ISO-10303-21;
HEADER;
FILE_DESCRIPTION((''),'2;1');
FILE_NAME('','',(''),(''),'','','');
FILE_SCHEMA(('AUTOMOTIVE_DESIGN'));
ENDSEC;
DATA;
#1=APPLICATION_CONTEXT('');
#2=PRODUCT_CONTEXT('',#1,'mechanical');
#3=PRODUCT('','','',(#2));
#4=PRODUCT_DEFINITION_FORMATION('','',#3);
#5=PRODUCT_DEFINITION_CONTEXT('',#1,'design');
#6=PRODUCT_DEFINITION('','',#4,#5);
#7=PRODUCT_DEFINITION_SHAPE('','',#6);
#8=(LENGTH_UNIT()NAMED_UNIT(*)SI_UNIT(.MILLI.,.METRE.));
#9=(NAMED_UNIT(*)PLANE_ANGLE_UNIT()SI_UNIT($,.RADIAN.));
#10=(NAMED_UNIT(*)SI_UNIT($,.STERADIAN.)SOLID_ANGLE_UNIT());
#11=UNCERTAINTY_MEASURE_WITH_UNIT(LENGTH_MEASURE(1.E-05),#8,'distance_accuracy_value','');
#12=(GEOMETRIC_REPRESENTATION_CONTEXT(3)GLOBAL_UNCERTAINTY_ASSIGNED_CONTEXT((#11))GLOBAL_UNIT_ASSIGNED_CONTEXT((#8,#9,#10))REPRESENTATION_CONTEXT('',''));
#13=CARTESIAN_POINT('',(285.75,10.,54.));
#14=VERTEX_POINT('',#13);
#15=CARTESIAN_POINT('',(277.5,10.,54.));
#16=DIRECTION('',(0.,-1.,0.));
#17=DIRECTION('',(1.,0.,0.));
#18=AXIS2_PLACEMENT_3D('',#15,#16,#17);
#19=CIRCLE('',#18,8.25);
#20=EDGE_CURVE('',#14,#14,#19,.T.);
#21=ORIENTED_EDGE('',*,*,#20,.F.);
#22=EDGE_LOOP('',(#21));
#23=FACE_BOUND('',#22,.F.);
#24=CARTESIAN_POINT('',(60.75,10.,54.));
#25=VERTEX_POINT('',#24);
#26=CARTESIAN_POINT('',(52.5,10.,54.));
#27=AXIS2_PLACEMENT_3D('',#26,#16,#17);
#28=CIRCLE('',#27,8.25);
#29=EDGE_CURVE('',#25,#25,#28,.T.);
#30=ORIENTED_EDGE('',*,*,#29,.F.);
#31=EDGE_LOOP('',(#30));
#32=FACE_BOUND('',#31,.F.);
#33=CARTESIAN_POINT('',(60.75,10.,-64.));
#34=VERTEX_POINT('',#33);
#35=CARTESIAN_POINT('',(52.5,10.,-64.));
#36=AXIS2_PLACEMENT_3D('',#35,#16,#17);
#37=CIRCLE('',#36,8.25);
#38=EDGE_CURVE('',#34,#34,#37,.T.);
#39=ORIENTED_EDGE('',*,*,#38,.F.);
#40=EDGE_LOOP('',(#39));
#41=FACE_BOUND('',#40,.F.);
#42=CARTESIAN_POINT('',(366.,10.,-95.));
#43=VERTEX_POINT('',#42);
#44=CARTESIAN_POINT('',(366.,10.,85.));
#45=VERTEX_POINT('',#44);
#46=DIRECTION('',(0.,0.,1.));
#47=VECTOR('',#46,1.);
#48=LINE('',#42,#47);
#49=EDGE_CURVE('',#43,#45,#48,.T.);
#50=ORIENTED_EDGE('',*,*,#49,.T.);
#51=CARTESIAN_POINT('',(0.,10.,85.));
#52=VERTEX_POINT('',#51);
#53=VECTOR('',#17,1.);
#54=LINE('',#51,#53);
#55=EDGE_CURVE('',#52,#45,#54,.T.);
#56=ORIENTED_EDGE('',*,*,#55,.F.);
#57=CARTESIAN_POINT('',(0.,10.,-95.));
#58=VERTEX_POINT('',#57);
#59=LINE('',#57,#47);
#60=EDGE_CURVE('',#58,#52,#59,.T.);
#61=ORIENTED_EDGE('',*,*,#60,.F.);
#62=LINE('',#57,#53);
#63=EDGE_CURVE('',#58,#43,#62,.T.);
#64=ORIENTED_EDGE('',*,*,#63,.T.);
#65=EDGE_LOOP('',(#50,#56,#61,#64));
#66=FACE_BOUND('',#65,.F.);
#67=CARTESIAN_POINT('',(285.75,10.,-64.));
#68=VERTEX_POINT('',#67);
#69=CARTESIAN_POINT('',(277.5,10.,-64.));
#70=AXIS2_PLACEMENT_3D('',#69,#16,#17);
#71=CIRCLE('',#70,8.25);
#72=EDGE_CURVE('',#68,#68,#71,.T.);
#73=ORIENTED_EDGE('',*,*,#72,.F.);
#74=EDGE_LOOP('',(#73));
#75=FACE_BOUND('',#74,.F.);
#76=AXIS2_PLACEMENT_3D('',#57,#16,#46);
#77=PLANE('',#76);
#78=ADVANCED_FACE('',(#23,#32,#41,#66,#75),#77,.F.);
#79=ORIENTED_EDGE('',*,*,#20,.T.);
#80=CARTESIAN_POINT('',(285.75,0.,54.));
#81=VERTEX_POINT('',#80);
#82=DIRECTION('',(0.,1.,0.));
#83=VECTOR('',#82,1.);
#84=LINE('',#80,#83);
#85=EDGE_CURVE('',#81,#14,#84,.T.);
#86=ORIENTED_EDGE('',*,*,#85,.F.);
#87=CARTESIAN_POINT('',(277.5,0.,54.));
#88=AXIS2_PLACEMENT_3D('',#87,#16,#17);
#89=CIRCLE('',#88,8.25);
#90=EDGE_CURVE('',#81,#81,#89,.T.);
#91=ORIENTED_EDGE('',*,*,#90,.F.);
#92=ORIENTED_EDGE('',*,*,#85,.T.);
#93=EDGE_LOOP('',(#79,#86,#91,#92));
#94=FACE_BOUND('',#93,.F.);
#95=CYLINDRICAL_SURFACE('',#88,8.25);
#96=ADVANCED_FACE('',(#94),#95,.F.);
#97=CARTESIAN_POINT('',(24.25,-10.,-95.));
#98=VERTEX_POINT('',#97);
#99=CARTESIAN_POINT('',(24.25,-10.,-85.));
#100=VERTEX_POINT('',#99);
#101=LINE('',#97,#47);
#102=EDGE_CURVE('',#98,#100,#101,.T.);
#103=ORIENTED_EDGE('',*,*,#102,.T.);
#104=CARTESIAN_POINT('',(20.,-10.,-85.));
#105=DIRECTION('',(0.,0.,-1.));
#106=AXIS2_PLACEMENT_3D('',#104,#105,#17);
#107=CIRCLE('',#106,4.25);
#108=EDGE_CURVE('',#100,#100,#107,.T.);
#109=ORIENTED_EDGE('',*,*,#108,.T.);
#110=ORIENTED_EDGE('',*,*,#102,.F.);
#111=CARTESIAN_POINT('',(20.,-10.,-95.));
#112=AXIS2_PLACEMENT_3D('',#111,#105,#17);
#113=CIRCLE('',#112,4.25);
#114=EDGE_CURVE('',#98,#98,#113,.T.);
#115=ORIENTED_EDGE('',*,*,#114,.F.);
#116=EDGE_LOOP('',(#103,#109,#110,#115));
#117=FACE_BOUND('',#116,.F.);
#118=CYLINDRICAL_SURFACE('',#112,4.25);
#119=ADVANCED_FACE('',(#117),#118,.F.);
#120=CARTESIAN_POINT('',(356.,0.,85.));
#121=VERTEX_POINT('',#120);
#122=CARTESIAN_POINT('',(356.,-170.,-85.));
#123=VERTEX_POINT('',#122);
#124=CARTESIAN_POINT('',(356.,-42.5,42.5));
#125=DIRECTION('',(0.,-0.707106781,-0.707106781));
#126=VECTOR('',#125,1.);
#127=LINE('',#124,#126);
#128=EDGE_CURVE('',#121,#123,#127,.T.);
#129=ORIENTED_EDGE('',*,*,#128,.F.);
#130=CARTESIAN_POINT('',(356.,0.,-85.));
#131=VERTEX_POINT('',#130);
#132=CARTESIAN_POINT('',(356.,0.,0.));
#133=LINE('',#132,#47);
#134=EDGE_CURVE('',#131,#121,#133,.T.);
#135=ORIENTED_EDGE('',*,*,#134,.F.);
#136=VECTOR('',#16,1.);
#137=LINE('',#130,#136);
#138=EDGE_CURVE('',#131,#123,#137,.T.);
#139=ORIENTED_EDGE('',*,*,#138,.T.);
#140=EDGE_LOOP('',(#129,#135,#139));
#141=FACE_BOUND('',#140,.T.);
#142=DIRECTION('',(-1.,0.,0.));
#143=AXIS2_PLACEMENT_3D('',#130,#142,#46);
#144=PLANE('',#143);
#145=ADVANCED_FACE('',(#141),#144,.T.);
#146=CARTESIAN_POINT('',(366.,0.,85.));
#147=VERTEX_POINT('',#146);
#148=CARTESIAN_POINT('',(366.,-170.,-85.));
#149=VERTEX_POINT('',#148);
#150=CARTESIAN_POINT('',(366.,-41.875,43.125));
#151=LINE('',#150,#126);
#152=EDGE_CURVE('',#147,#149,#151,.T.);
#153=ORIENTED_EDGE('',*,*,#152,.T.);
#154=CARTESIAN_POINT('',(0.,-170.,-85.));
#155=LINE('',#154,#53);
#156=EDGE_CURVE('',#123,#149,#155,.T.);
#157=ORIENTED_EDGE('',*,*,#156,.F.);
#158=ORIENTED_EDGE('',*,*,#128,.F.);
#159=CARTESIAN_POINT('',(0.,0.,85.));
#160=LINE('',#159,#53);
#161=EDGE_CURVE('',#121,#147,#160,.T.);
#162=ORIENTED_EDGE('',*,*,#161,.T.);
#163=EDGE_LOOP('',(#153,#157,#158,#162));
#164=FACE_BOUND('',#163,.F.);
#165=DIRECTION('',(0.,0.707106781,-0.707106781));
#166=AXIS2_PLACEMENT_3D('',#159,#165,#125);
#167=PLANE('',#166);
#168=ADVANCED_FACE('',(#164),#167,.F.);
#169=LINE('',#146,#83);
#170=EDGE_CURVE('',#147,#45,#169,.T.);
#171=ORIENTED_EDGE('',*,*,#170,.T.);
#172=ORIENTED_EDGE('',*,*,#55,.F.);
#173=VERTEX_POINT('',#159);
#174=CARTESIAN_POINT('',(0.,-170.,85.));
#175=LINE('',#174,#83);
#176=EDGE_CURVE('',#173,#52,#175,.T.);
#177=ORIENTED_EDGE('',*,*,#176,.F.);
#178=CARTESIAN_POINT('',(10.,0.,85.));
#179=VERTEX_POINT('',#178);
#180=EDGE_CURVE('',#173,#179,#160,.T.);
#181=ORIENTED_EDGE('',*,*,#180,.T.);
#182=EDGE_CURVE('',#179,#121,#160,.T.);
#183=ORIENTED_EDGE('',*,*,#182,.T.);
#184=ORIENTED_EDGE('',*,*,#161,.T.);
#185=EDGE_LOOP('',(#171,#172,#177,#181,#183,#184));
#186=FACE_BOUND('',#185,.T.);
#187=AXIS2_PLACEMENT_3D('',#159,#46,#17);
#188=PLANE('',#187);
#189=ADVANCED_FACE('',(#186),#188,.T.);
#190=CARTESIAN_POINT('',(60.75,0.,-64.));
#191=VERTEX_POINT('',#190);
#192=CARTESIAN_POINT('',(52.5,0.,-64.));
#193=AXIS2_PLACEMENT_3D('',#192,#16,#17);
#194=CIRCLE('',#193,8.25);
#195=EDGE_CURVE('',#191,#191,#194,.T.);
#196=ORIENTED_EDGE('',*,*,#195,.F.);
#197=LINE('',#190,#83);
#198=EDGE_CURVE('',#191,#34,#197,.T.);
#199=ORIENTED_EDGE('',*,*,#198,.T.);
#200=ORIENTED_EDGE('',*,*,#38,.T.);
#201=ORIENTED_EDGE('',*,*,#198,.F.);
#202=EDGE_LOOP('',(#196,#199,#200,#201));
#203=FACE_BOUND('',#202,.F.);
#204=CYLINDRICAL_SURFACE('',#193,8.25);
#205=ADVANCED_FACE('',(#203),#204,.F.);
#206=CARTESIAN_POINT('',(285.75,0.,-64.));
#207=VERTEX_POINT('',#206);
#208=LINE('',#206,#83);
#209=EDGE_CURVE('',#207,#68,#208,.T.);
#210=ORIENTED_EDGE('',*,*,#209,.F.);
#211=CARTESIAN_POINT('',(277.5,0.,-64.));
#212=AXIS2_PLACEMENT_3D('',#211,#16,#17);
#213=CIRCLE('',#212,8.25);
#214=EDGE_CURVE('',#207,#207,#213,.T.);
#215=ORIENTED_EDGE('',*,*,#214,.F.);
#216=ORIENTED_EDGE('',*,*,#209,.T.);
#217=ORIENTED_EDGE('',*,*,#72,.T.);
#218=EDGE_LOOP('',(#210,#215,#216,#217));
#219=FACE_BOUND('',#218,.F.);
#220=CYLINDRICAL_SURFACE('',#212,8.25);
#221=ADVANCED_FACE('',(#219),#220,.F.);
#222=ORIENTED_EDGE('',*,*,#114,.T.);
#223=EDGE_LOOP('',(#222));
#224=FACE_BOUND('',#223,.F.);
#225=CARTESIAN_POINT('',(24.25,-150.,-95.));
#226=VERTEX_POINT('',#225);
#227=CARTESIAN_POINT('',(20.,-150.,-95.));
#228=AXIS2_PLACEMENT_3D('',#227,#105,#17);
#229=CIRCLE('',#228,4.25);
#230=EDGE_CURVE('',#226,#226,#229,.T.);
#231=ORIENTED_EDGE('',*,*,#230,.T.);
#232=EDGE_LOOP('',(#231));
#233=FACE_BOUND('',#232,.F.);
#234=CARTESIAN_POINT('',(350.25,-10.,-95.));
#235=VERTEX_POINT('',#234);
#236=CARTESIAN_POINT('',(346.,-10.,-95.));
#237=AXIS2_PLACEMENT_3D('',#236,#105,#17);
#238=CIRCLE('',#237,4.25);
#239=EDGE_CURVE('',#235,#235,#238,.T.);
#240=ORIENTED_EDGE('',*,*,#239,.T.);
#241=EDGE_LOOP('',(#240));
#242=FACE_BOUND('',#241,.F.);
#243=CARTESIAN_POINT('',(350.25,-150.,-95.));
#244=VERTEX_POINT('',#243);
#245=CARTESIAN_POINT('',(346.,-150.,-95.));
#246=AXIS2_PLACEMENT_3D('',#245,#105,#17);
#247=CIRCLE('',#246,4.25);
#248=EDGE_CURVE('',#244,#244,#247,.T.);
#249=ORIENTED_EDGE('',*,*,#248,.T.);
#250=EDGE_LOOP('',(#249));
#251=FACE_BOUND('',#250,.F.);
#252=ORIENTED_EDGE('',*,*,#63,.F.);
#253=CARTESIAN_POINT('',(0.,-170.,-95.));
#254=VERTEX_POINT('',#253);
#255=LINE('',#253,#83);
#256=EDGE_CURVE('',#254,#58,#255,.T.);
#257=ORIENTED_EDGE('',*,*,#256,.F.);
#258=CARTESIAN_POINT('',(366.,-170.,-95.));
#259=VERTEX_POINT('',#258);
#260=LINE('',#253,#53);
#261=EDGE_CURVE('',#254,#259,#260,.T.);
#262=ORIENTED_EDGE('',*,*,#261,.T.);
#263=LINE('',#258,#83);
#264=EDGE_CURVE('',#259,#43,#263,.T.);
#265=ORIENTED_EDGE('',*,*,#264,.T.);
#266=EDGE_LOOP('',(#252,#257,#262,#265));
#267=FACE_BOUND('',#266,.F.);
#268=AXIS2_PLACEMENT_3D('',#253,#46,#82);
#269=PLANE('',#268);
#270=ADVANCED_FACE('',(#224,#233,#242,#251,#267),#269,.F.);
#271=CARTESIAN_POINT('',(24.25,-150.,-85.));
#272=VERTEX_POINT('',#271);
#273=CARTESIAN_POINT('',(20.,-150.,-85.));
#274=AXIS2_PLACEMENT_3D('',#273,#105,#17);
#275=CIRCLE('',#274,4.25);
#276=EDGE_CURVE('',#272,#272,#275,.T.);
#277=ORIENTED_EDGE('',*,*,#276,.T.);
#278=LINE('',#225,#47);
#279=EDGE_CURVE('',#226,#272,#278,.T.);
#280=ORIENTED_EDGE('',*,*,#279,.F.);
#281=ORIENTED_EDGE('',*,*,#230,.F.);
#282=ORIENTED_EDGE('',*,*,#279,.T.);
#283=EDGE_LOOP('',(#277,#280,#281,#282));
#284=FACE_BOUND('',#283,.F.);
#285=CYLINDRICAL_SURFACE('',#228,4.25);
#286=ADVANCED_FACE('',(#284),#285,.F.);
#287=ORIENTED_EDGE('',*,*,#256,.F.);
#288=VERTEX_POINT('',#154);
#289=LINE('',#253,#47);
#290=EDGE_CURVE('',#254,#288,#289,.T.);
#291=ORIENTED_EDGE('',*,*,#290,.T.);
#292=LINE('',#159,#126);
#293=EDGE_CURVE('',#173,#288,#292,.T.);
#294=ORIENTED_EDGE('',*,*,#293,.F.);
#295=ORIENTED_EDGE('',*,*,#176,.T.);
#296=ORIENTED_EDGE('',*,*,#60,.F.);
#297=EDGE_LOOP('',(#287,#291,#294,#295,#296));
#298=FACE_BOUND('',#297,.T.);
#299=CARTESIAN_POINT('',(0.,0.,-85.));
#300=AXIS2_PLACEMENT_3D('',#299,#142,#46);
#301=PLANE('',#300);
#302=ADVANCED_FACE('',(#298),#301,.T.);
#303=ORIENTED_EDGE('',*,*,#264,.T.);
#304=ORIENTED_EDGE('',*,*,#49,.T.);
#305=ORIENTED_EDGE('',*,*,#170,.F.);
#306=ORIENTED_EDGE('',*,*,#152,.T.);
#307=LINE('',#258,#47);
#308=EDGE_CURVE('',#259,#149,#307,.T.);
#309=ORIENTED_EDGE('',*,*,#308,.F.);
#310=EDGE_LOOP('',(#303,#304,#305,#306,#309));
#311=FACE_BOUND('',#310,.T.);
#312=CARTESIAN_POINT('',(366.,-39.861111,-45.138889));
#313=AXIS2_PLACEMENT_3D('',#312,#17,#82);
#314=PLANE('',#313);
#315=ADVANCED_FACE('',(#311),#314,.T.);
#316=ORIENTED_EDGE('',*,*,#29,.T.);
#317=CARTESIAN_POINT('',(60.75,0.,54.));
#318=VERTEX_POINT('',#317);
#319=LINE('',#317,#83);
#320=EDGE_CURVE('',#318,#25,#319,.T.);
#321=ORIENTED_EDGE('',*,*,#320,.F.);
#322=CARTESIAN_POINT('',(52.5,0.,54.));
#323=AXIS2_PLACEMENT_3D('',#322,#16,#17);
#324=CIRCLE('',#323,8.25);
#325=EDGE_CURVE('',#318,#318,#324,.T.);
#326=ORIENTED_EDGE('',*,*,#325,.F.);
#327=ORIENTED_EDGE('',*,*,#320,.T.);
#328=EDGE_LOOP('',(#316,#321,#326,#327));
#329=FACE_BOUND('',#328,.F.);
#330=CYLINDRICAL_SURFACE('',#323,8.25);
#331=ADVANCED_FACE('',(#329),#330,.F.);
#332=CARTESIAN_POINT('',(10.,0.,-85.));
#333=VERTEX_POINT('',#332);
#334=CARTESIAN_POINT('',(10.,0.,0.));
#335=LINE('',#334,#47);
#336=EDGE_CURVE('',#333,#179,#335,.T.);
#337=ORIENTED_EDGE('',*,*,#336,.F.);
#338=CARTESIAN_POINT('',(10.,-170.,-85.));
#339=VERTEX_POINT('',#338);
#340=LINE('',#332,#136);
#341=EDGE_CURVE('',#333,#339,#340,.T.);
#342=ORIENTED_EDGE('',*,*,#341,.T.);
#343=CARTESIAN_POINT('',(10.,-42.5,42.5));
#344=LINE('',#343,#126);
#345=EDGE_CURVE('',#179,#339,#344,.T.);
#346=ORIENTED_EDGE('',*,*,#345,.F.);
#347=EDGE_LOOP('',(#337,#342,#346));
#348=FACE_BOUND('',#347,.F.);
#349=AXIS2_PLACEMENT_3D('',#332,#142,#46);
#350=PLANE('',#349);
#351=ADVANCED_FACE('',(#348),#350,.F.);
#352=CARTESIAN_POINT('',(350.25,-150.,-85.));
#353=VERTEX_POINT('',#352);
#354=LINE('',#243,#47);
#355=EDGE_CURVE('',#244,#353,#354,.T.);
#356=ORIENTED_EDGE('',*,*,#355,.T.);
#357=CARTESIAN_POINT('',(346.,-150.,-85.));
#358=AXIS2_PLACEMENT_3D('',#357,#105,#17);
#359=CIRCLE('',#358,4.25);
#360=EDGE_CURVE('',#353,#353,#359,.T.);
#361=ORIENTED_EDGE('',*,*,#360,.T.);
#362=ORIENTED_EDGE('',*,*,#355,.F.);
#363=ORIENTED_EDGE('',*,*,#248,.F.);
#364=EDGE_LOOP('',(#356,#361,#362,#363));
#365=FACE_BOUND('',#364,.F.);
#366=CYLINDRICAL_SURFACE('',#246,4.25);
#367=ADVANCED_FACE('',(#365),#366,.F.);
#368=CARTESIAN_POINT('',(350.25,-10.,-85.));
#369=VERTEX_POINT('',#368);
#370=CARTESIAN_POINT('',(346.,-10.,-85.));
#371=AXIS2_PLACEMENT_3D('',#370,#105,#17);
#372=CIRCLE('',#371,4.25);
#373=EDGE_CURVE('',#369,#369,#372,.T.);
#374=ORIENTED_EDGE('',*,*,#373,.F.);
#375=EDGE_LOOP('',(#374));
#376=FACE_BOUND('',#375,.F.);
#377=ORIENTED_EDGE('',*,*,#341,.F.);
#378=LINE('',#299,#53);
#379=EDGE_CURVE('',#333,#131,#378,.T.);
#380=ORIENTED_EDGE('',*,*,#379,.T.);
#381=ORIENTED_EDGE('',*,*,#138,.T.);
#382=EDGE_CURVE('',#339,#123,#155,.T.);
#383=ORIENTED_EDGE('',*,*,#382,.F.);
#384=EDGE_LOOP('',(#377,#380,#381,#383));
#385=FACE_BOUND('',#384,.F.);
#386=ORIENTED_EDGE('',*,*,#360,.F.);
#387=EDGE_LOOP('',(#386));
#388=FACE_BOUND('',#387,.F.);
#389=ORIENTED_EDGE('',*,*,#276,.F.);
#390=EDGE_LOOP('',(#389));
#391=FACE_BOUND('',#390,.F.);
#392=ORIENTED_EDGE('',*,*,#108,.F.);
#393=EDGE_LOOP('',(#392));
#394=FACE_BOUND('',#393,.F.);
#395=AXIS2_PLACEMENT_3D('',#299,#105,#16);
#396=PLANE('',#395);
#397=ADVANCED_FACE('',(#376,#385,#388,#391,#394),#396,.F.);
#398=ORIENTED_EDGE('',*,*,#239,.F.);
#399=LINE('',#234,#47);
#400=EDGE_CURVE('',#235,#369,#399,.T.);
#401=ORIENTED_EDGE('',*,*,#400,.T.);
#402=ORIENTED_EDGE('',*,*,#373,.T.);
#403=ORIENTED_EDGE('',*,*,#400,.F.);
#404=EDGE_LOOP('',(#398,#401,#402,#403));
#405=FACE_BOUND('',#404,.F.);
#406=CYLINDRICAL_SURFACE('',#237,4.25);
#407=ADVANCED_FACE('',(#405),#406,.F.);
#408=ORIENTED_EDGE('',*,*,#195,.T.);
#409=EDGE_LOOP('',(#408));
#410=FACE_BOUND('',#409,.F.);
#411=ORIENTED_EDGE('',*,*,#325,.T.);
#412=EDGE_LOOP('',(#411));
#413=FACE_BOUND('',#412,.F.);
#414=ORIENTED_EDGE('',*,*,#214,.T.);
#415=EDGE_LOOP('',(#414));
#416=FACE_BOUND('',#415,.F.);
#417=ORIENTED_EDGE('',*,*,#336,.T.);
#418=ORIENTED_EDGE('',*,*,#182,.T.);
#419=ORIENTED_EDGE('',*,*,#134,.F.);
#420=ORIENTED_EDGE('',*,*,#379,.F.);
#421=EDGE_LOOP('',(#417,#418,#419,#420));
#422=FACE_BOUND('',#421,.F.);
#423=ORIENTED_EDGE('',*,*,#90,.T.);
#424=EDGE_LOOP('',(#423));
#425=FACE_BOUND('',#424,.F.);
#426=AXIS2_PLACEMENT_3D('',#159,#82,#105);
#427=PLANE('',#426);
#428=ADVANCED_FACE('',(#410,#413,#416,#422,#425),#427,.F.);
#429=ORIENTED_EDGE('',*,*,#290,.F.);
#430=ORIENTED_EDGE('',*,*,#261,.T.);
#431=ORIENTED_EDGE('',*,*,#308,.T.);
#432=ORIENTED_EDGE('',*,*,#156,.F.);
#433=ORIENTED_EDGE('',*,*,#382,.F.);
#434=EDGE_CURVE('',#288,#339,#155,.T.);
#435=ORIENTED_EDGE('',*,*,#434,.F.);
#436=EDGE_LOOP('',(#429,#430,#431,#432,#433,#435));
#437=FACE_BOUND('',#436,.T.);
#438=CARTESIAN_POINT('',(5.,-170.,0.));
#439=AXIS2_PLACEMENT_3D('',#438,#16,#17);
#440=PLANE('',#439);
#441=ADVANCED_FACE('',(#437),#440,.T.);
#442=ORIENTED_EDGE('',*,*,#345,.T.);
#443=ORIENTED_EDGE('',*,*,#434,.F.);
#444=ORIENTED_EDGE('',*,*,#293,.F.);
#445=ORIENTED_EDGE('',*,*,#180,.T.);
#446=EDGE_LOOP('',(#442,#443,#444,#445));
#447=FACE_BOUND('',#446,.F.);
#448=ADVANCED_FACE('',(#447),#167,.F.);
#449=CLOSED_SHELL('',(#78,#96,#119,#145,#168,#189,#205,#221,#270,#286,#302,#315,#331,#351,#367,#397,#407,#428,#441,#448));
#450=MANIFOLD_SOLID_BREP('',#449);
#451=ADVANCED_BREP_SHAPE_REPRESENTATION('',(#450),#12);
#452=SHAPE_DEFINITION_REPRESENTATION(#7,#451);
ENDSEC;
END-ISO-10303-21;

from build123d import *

# Parameters (mm, degrees)
F1_DEPTH  = 366
F2_R      = 8.25
F3_DEPTH  = 10.001
F4_W      = 10
F4_H      = 170
F5_DEPTH  = 170
F8_DEPTH  = 366.001
F9_R      = 4.25
F10_DEPTH = 180.001


with BuildPart() as f1:
    # F0 (on Right) → F1 (new body)
    with BuildSketch(Plane.YZ):
        Polygon((10, -95), (10, 85), (0, 85), (0, -85), (-170, -85), (-170, -95), align=None)
    extrude(amount=F1_DEPTH)

    # F2 (on face) → F3 (cut, through all)
    with BuildSketch(Plane.XZ):
        with Locations((52.5, 54)):
            Circle(F2_R)
        with Locations((277.5, 54)):
            Circle(F2_R)
        with Locations((277.5, -64)):
            Circle(F2_R)
        with Locations((52.5, -64)):
            Circle(F2_R)
    extrude(amount=-F3_DEPTH, mode=Mode.SUBTRACT)

    # F4 (on face) → F5 (join)
    with BuildSketch(Plane.XZ):
        with Locations((5, 0)):
            Rectangle(F4_W, F4_H)
        with Locations((361, 0)):
            Rectangle(F4_W, F4_H)
    extrude(amount=F5_DEPTH)

    # F7 (on face) + F6 (on face) → F8 (cut, through all)
    with BuildSketch(Plane(origin=(0, 0, 0), x_dir=(0, -1, 0), z_dir=(-1, 0, 0))):
        Polygon((170, 85), (0, 85), (170, -85), align=None)
    with BuildSketch(Plane.YZ.offset(366)):
        Polygon((-170, -85), (5, 85), (-170, 85), align=None)
    extrude(amount=-F8_DEPTH, dir=(-1, 0, 0), mode=Mode.SUBTRACT)

    # F9 (on face) → F10 (cut, through all)
    with BuildSketch(Plane(origin=(0, 0, -95), x_dir=(1, 0, 0), z_dir=(0, 0, -1))):
        with Locations((20, 150)):
            Circle(F9_R)
        with Locations((20, 10)):
            Circle(F9_R)
        with Locations((346, 10)):
            Circle(F9_R)
        with Locations((346, 150)):
            Circle(F9_R)
    extrude(amount=-F10_DEPTH, mode=Mode.SUBTRACT)


solid = f1.part
